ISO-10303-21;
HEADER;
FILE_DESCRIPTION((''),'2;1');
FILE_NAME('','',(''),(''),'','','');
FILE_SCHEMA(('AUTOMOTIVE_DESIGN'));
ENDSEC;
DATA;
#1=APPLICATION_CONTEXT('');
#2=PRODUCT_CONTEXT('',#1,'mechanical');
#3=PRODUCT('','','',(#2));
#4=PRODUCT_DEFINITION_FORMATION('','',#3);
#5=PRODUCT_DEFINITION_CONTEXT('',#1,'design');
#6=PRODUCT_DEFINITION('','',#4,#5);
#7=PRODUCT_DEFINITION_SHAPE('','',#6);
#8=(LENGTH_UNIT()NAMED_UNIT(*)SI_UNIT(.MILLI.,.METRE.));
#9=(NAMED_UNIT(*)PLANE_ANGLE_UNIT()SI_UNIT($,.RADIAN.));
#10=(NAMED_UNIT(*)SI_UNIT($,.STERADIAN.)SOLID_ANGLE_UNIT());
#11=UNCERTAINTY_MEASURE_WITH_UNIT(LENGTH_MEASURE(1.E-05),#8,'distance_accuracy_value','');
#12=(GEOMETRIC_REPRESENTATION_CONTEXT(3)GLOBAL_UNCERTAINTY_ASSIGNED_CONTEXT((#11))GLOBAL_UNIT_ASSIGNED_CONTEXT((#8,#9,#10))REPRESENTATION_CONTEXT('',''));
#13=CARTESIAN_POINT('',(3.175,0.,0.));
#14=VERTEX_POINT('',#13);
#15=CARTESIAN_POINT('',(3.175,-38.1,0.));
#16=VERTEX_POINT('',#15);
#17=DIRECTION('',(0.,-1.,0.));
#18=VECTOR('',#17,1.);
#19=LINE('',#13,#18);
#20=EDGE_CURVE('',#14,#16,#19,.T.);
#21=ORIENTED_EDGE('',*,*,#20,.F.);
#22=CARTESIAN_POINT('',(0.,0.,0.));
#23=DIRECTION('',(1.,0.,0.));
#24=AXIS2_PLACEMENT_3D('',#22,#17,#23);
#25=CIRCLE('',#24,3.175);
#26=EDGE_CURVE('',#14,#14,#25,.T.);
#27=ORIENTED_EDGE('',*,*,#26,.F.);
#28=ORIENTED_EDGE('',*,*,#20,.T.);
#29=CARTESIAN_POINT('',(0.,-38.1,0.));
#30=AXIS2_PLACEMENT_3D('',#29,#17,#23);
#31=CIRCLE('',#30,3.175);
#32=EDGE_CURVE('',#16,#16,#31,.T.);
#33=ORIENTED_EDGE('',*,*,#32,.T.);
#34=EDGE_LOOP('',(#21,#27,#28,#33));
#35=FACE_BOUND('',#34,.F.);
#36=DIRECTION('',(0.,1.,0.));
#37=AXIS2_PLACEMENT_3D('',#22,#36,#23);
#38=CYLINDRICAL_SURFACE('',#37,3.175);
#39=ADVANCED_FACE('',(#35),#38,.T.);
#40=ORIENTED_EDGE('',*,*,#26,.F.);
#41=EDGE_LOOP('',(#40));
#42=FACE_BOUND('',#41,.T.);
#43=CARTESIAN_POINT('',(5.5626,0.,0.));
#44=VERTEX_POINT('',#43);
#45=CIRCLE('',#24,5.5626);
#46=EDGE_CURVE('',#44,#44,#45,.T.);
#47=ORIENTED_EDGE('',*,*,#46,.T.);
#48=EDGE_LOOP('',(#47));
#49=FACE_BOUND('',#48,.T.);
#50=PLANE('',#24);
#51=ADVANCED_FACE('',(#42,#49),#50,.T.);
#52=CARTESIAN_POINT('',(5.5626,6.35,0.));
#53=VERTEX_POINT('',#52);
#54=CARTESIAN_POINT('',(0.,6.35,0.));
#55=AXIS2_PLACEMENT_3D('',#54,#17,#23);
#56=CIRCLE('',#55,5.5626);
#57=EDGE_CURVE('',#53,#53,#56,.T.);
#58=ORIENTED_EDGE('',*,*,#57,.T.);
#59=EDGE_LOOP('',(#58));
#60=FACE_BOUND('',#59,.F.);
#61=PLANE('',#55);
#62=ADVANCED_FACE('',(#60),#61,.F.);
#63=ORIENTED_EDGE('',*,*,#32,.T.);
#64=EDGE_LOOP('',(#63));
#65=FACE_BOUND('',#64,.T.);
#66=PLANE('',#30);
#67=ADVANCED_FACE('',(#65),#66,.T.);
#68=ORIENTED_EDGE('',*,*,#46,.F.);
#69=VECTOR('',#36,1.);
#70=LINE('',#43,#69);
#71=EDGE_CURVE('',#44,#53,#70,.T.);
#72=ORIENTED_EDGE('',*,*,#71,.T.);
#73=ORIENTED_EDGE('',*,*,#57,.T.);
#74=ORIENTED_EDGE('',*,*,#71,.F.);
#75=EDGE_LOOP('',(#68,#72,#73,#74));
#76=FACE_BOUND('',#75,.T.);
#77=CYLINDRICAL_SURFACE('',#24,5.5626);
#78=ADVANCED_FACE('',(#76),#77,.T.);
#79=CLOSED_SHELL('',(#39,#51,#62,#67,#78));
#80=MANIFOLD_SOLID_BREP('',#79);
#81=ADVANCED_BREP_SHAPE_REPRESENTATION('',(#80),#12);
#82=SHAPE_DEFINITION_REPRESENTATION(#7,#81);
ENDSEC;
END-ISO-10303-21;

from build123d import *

# Parameters (mm, degrees)
F0_R     = 3.175
F1_DEPTH = 38.1
F2_R     = 5.5626
F3_DEPTH = 6.35


with BuildPart() as f1:
    # F0 (on Front) → F1 (new body)
    with BuildSketch(Plane.XZ):
        Circle(F0_R)
    extrude(amount=F1_DEPTH)

    # F2 (on Front) → F3 (join)
    with BuildSketch(Plane.XZ):
        Circle(F2_R)
    extrude(amount=-F3_DEPTH)


solid = f1.part
